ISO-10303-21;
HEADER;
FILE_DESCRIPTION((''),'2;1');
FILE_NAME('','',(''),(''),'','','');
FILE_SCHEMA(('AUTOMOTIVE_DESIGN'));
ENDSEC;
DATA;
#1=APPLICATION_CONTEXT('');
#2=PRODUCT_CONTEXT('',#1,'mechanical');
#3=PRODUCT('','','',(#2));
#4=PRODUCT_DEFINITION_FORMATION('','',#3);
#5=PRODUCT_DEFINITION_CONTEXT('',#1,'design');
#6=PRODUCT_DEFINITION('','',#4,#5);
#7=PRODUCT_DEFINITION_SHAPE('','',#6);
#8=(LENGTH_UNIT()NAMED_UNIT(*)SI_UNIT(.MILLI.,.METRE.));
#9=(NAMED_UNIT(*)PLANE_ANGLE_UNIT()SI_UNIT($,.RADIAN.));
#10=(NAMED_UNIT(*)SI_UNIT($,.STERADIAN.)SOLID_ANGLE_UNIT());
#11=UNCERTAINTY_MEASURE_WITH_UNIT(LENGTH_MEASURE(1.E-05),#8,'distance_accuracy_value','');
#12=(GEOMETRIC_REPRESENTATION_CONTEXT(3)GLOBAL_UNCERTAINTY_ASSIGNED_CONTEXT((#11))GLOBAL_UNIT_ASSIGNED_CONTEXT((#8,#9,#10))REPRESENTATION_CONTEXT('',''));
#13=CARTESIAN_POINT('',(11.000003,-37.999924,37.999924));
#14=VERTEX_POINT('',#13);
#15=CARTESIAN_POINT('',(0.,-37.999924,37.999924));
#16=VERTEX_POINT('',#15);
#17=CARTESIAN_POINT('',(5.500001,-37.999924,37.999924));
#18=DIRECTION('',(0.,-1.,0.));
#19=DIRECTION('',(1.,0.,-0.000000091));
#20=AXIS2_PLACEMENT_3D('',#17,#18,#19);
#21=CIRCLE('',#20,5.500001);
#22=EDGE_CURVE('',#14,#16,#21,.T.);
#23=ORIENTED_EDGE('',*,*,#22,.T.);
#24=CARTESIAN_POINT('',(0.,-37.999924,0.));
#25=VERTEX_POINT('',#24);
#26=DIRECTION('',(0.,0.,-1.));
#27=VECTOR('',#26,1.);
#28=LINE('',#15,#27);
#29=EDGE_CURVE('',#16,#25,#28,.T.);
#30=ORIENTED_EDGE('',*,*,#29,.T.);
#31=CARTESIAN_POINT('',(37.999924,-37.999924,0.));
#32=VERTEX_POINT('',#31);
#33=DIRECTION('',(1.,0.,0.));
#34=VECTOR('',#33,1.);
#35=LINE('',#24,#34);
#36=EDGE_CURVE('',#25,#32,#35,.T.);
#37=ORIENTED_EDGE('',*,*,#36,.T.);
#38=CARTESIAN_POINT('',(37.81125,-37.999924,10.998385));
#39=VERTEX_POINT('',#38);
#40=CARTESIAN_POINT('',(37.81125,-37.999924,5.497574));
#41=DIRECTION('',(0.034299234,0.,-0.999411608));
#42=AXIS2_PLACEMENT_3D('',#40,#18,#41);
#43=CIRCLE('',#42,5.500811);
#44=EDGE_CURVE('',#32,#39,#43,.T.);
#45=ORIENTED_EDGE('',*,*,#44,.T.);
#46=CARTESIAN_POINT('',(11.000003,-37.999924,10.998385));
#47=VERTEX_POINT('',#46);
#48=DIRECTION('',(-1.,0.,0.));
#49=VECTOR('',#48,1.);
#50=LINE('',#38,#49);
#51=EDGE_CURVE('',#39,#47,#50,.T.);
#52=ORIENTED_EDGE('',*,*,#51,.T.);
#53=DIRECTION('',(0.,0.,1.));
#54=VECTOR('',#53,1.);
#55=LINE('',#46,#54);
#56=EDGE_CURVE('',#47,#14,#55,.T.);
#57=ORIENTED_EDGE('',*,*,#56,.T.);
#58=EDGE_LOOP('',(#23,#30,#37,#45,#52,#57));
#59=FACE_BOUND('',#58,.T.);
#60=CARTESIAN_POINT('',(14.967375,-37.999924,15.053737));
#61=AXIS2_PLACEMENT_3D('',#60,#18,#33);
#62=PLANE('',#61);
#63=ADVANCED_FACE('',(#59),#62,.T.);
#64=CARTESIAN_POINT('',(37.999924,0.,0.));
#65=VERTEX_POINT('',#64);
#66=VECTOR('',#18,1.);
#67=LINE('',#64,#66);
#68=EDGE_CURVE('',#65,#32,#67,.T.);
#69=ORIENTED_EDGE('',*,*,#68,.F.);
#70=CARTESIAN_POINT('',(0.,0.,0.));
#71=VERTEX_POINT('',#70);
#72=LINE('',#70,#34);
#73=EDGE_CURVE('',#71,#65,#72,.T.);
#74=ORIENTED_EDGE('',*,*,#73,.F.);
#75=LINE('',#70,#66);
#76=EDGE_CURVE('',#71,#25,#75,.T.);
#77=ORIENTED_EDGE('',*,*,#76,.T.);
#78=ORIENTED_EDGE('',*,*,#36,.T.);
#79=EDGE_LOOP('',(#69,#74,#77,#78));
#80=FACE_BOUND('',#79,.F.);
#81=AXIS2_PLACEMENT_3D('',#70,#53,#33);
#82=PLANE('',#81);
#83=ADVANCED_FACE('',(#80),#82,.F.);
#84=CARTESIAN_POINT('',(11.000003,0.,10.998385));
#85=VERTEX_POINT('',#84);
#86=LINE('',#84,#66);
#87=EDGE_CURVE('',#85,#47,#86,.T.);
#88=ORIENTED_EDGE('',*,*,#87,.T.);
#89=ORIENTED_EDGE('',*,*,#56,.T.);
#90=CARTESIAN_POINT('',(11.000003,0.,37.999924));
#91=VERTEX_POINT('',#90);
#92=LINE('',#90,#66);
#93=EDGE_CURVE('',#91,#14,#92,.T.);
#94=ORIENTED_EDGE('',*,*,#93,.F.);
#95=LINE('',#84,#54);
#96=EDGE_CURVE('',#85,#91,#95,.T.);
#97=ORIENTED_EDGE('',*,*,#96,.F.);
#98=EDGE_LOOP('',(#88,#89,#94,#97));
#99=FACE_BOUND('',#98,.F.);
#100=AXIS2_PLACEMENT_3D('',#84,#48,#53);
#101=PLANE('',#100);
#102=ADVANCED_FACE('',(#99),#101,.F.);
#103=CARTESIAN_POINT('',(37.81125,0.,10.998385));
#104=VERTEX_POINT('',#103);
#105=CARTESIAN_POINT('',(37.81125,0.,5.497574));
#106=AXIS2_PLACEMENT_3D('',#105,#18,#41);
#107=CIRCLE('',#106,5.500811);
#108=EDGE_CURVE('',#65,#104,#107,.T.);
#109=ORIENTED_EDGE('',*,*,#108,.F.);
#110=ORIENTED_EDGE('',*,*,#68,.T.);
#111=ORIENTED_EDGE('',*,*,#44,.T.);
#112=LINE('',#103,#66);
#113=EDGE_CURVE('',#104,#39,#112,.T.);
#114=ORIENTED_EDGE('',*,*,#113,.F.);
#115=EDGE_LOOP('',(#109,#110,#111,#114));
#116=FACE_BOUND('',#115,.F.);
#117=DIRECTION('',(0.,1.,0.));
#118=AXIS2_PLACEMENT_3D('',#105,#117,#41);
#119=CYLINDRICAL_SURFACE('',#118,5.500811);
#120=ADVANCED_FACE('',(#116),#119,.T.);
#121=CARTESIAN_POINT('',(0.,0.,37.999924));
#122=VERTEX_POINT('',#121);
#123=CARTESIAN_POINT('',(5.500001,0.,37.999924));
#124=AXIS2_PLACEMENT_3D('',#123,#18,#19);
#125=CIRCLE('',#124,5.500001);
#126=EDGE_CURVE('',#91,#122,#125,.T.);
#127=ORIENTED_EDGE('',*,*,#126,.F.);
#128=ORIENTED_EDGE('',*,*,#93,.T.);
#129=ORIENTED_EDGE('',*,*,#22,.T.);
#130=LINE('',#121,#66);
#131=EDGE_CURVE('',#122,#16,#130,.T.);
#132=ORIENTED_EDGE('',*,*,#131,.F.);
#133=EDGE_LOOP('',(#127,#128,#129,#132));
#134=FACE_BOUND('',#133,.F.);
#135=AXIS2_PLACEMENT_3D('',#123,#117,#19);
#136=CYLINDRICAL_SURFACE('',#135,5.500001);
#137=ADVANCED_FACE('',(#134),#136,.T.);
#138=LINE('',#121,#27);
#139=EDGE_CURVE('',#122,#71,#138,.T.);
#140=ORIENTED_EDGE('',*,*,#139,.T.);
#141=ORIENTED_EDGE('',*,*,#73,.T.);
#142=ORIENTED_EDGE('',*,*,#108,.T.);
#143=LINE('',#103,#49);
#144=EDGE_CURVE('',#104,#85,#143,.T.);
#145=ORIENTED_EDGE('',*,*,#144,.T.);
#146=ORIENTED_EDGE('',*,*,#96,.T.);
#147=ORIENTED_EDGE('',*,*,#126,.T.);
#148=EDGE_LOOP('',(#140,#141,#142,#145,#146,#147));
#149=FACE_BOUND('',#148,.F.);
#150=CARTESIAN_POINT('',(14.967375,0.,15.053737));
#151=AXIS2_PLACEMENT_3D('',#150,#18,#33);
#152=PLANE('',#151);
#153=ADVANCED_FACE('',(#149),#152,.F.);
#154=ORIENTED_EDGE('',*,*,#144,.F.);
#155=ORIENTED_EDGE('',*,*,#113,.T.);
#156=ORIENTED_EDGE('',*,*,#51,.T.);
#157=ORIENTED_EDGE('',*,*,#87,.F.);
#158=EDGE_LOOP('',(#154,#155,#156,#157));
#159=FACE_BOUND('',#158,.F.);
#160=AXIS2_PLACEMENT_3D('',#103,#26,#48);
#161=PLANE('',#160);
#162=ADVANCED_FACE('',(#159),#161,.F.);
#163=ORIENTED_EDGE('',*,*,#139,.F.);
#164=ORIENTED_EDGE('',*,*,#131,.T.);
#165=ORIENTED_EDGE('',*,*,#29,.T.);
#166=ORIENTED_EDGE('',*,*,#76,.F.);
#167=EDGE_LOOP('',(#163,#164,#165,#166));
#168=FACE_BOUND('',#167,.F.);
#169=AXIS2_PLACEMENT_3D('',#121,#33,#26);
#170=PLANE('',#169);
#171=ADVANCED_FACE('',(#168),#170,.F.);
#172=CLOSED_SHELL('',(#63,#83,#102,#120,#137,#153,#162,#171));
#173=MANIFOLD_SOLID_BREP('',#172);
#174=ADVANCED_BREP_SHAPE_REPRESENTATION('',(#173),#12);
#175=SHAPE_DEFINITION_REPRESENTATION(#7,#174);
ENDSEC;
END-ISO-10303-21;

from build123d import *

# Parameters (mm, degrees)
F1_DEPTH = 37.999924


with BuildPart() as f1:
    # F0 (on Front) → F1 (new body)
    with BuildSketch(Plane.XZ):
        with BuildLine():
            Line((0, 37.999924), (0, 0))
            Line((0, 0), (37.999924, 0))
            ThreePointArc((37.999924, 0), (43.311252, 5.591925), (37.81125, 10.998385))
            Line((37.81125, 10.998385), (11.000003, 10.998385))
            Line((11.000003, 10.998385), (11.000003, 37.999924))
            ThreePointArc((11.000003, 37.999924), (5.500002, 43.499926), (0, 37.999924))
        make_face()
    extrude(amount=F1_DEPTH)


solid = f1.part
